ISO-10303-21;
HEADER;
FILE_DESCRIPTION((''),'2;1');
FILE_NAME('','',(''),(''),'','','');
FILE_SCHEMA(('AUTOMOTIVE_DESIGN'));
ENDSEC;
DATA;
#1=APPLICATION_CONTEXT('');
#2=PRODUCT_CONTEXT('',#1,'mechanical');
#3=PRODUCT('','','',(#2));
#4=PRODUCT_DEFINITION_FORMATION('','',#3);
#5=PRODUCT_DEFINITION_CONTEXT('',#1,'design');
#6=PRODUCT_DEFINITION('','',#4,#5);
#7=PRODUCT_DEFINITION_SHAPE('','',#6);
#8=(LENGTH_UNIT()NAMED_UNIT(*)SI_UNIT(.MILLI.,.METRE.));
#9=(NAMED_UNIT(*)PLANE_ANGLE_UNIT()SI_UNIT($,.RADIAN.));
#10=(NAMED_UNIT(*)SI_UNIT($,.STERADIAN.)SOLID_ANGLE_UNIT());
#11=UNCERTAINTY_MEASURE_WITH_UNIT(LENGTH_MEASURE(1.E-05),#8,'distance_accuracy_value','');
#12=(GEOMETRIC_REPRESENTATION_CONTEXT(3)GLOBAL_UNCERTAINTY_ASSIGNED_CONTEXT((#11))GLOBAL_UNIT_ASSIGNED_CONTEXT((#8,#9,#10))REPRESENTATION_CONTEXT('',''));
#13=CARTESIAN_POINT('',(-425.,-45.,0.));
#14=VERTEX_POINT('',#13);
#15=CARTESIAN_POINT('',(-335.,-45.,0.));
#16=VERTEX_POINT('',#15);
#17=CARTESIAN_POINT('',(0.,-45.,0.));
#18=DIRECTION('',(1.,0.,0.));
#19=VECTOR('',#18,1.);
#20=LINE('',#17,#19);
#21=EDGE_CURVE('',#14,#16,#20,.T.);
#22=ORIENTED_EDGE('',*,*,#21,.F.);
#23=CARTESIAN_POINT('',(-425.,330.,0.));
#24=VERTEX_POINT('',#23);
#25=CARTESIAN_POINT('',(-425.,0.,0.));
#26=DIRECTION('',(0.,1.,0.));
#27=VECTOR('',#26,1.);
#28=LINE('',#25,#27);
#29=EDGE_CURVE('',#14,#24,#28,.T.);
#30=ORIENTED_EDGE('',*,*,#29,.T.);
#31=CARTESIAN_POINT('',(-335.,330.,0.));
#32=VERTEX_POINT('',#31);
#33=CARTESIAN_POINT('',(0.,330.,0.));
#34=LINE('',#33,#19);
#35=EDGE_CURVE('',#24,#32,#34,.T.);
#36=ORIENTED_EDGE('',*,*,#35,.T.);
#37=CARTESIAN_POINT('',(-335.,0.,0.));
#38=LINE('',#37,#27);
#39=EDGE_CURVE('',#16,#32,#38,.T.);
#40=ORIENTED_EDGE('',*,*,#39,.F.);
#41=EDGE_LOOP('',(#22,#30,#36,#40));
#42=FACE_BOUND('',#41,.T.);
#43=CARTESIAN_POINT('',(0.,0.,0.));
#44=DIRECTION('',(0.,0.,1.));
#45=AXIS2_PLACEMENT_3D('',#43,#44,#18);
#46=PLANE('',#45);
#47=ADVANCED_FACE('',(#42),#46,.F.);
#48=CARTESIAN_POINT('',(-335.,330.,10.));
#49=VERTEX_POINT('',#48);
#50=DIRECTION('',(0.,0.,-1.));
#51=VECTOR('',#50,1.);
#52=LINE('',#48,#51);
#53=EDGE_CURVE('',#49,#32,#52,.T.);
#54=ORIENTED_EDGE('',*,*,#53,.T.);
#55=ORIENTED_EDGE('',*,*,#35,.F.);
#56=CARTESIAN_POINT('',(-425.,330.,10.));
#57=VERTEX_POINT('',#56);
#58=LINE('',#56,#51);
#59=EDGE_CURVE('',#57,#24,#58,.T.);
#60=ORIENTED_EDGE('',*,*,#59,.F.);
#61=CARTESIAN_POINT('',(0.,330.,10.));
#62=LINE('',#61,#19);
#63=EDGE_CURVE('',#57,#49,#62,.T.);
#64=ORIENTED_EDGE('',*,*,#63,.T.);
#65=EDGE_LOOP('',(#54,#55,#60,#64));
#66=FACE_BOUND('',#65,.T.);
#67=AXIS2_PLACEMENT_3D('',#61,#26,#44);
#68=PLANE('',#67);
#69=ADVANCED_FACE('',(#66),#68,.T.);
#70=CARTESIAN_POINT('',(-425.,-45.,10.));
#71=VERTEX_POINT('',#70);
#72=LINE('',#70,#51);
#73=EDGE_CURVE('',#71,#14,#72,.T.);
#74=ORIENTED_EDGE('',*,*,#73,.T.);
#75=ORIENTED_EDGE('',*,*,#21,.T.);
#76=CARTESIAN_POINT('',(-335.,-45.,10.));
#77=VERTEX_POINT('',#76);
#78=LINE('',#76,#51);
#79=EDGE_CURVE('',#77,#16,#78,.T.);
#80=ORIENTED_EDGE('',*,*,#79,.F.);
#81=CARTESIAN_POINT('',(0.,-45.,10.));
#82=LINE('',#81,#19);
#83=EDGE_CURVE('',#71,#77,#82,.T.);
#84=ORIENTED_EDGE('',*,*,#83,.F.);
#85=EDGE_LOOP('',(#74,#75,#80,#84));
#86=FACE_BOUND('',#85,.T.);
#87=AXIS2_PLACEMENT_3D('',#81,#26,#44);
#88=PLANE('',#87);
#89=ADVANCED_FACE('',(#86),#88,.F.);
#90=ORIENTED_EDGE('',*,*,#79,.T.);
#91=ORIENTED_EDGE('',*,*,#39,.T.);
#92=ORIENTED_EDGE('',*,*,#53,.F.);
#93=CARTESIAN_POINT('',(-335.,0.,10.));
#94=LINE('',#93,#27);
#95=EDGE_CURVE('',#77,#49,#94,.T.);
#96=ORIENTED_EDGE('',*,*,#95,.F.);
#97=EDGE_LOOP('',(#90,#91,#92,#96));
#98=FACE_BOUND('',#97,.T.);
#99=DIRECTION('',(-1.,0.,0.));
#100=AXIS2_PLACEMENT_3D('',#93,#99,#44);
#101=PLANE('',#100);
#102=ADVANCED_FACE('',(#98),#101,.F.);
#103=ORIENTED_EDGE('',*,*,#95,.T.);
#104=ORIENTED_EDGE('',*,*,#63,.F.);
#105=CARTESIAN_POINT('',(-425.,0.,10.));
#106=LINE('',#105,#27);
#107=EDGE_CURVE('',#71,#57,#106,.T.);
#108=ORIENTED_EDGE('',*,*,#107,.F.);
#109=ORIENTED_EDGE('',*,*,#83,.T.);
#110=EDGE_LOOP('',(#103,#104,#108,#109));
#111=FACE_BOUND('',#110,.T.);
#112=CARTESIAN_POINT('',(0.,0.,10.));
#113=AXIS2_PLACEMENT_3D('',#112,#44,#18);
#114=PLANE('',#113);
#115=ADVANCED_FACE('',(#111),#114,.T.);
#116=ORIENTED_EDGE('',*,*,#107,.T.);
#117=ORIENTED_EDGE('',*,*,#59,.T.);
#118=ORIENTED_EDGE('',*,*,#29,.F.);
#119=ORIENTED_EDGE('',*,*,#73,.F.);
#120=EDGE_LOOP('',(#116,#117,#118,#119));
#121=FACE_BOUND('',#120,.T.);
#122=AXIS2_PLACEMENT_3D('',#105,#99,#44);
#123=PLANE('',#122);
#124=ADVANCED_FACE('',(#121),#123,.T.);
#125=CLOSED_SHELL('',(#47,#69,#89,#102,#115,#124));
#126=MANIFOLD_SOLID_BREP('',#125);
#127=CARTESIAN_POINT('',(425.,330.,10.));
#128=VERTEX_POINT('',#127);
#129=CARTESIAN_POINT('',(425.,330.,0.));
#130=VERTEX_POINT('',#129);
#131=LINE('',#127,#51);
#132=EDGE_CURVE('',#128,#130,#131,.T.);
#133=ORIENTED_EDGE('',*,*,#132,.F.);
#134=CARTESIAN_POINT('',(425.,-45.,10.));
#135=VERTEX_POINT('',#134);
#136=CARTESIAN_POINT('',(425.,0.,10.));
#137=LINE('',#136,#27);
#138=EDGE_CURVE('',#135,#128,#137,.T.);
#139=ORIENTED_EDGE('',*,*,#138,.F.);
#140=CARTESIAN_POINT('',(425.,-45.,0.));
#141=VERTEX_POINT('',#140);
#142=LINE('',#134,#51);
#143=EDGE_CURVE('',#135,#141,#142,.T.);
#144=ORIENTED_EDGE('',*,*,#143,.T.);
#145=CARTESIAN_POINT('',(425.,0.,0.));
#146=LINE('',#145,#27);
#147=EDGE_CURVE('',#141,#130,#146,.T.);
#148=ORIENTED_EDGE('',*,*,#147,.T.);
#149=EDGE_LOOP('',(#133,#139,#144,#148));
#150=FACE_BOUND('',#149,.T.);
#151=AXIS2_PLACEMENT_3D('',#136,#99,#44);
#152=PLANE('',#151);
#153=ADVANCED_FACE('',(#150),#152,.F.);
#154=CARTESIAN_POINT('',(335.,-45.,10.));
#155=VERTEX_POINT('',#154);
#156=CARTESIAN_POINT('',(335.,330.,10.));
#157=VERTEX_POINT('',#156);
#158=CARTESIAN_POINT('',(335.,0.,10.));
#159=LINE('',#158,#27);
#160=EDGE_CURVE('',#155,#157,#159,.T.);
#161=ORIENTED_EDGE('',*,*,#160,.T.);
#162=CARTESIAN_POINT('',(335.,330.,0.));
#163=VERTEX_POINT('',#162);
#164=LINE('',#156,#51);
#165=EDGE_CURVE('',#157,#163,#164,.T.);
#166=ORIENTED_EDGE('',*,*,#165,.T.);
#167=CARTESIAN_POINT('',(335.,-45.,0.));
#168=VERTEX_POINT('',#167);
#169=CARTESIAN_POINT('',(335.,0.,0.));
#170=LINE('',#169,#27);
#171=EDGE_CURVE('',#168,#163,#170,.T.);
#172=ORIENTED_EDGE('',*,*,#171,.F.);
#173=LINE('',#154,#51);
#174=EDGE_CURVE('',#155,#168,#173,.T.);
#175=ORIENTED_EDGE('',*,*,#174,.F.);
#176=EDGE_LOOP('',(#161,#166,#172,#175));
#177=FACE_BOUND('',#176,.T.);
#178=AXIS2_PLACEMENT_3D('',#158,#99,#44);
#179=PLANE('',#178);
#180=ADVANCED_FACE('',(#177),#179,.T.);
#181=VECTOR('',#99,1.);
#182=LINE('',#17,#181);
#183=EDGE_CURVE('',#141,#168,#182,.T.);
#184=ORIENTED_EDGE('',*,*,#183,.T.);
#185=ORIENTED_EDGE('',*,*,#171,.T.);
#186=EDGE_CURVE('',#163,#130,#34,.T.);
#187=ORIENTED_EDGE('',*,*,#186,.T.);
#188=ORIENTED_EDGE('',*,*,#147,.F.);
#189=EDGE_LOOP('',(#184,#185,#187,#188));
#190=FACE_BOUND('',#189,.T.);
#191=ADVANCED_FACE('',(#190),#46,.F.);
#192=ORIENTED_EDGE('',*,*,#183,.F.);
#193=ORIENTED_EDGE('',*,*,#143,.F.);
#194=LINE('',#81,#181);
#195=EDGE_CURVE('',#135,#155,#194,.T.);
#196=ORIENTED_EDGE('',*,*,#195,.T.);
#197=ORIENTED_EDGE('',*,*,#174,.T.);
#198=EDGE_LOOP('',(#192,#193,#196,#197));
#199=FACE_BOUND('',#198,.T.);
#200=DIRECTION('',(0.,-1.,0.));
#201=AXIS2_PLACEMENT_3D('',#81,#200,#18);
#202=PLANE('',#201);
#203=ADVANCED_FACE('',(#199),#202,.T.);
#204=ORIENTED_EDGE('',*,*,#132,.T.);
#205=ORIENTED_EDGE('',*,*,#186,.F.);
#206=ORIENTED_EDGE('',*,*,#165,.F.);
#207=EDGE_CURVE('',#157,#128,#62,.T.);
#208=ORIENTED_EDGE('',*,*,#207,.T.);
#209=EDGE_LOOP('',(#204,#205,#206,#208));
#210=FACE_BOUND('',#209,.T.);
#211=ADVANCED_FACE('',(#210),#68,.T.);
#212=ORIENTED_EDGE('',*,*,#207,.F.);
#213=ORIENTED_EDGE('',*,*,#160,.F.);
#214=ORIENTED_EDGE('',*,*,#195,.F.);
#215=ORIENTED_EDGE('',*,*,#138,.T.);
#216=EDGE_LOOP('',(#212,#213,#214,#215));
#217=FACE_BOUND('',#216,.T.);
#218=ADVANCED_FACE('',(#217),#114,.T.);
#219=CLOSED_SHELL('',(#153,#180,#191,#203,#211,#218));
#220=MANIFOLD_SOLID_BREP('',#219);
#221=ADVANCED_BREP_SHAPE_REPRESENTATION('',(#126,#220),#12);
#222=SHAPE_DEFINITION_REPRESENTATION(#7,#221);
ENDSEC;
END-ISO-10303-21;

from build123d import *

# Parameters (mm, degrees)
BOSS_EXTRUDE1_DEPTH   = 10
BOSS_EXTRUDE1_2_DEPTH = 10


with BuildPart() as part:
    # Sketch1 → Boss-Extrude1 (new body)
    with BuildSketch(Plane.XY):
        Polygon((-335, 330), (-425, 330), (-425, -45), (-335, -45), (-335, 142.5), align=None)
    extrude(amount=BOSS_EXTRUDE1_DEPTH)


with BuildPart() as body_2:
    # Sketch1 → Boss-Extrude1 2 (new body)
    with BuildSketch(Plane.XY):
        Polygon((425, 330), (335, 330), (335, 142.5), (335, -45), (425, -45), align=None)
    extrude(amount=BOSS_EXTRUDE1_2_DEPTH)


solid = Compound([part.part, body_2.part])
